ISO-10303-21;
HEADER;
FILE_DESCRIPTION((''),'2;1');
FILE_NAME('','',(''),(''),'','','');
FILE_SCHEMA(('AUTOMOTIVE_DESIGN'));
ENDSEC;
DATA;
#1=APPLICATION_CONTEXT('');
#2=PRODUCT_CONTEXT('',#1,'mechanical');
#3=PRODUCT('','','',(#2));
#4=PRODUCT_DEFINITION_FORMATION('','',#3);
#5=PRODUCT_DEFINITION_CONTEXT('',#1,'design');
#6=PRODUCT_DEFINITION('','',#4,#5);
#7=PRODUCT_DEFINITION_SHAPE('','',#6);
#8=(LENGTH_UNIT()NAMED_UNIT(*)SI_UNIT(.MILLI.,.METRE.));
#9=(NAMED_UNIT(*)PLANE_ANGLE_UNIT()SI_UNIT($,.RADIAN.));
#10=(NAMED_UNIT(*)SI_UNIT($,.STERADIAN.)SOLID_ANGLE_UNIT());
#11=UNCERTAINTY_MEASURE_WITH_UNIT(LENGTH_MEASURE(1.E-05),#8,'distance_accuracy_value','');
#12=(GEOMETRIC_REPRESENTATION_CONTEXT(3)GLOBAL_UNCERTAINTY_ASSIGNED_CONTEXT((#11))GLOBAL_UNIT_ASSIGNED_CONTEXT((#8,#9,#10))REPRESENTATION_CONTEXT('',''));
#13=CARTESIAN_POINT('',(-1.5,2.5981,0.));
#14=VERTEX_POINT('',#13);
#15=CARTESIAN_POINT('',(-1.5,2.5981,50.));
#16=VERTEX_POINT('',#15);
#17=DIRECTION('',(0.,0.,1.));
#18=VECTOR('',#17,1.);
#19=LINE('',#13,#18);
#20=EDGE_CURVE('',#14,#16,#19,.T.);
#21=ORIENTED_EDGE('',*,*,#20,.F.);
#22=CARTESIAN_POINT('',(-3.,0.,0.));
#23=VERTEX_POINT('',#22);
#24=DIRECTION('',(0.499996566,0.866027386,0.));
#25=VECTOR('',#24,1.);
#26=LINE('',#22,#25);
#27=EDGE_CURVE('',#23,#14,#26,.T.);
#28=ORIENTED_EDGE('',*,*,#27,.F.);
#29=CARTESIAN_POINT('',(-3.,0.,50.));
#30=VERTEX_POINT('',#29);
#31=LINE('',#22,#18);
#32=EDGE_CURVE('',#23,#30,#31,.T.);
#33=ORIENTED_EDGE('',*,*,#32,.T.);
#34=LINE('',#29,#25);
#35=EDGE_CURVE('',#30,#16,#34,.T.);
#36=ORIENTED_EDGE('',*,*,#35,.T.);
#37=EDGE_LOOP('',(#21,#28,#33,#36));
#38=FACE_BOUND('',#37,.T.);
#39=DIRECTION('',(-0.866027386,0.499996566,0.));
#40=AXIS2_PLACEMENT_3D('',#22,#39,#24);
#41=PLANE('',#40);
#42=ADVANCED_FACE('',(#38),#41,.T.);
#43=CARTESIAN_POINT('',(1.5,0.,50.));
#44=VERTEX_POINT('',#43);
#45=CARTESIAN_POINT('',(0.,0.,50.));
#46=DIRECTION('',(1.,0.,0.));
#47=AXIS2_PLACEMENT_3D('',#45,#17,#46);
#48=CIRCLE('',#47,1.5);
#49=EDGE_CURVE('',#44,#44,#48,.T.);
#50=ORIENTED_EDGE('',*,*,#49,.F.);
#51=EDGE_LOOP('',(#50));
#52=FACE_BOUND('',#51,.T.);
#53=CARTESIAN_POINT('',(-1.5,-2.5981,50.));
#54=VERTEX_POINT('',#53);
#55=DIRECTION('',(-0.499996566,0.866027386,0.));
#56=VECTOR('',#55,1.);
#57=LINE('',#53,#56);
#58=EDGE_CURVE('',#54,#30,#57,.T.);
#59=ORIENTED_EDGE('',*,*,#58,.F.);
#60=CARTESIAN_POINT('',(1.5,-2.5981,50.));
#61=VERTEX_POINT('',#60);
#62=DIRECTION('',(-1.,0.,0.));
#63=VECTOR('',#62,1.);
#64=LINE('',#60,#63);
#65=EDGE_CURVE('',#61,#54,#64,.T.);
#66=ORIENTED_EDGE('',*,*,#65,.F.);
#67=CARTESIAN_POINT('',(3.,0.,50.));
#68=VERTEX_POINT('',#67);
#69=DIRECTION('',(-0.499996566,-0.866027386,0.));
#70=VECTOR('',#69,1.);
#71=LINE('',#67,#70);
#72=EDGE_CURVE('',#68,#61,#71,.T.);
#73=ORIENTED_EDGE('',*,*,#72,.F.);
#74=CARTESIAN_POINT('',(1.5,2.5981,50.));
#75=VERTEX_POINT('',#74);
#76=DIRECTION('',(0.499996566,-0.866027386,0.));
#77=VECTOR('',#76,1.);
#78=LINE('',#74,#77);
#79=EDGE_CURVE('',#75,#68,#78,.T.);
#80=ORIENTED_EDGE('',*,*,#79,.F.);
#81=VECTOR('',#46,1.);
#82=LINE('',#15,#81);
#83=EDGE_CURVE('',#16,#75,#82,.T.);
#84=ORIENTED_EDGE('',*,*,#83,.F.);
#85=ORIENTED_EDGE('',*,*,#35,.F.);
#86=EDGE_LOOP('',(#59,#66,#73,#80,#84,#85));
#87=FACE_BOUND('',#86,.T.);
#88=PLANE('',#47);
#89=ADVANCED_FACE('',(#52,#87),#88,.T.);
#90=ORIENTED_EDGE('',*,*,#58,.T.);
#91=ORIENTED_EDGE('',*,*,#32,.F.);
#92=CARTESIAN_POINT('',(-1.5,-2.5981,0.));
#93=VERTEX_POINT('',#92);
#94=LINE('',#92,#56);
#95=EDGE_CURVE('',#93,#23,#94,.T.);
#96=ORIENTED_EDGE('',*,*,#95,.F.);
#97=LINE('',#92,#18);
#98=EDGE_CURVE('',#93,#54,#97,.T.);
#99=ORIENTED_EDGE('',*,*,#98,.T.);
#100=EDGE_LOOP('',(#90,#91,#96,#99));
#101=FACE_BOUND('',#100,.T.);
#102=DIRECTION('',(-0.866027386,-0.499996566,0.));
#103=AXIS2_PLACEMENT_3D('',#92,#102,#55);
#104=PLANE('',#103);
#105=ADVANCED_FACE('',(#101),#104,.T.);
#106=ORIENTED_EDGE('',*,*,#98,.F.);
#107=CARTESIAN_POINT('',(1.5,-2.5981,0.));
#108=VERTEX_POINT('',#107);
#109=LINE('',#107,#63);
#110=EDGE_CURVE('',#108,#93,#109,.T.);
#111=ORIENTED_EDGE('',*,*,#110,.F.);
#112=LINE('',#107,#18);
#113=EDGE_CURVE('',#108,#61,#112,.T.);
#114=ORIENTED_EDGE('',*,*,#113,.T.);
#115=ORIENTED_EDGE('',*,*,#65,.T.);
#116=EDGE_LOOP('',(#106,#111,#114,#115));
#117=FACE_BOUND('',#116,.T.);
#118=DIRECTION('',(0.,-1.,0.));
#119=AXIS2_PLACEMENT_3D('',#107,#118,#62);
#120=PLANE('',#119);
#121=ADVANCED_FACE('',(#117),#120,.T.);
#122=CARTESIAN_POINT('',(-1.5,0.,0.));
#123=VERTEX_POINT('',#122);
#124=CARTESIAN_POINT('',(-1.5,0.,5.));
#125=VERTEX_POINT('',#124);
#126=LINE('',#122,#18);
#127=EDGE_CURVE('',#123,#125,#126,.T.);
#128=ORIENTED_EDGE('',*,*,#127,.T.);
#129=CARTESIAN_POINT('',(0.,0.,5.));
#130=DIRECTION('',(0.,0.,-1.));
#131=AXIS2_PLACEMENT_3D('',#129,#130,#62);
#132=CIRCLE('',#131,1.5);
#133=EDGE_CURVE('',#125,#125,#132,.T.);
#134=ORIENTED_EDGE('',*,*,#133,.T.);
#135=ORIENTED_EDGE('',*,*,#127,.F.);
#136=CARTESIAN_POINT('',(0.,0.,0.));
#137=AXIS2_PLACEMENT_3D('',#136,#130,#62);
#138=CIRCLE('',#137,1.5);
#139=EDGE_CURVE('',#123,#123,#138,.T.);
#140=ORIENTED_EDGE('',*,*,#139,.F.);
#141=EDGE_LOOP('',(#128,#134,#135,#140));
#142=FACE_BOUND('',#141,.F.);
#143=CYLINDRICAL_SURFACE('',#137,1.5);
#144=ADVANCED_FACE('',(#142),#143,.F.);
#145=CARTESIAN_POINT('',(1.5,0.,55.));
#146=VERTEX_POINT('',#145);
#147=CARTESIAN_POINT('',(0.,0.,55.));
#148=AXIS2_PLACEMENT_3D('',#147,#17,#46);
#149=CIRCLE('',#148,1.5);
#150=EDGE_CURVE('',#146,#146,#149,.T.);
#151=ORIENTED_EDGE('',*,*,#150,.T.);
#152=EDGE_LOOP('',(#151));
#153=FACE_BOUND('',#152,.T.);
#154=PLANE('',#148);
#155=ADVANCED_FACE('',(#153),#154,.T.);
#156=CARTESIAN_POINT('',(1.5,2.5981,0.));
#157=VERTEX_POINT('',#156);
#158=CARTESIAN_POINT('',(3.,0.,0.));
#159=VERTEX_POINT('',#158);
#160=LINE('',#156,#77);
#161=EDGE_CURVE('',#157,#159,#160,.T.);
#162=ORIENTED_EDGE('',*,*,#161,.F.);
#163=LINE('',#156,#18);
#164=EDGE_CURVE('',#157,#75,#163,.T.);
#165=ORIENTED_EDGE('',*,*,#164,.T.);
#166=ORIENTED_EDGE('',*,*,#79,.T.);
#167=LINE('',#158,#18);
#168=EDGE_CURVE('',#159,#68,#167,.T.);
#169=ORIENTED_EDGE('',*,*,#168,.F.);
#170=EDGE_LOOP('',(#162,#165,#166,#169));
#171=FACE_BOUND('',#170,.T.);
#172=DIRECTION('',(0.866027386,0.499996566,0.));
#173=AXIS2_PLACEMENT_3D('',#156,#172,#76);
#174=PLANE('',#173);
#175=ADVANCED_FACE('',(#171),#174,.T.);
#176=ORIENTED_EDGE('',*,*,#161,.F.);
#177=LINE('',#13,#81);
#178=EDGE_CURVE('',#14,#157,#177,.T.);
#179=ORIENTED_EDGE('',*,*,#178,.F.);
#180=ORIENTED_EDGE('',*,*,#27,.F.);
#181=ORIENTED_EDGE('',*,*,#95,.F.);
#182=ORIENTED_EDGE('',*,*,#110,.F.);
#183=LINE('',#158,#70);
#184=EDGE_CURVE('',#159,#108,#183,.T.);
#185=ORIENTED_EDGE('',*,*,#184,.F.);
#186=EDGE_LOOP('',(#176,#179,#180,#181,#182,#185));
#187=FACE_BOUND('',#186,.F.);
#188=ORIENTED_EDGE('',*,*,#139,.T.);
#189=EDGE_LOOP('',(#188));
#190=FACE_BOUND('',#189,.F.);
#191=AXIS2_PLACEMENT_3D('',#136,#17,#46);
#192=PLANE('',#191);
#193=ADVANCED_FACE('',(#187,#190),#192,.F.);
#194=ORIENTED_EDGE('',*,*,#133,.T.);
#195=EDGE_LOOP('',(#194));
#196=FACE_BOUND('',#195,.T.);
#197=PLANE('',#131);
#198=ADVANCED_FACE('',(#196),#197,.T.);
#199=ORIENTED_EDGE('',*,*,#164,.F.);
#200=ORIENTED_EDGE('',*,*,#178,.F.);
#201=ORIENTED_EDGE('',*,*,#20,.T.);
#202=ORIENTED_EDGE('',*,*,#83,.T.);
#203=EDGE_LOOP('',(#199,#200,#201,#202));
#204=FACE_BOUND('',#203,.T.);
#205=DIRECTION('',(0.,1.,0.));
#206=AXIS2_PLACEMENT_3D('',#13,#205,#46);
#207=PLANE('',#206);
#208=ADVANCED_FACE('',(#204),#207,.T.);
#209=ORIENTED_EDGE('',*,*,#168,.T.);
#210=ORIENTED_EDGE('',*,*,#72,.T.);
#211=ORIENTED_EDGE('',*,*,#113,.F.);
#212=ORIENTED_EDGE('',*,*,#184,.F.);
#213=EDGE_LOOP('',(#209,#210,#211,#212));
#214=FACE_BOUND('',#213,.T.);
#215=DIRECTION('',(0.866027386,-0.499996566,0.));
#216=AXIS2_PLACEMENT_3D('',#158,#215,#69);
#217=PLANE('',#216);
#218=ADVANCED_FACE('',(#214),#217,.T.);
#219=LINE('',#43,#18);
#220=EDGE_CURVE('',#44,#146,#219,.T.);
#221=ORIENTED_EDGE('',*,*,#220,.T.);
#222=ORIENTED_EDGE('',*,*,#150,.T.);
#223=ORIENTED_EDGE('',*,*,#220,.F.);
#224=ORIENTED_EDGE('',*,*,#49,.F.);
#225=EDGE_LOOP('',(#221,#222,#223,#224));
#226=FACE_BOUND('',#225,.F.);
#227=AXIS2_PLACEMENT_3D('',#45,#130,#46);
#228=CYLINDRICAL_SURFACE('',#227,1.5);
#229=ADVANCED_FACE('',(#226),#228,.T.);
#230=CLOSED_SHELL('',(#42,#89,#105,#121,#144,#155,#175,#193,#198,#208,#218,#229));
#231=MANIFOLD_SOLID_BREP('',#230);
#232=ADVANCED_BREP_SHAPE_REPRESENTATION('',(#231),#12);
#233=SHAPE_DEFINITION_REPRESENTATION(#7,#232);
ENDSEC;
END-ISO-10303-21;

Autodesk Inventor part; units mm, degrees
ref_plane "YZ Plane" through (0, 0, 0) normal (1, 0, 0) x (0, 1, 0)
ref_plane "XZ Plane" through (0, 0, 0) normal (0, 1, 0) x (-1, 0, 0)
ref_plane "XY Plane" through (0, 0, 0) normal (0, 0, 1) x (1, 0, 0)
sketch "스케치1" plane through (0, 0, 0) normal (0, 0, 1) x (1, 0, 0)
  line L0 (-3, 0) -> (-1.5, 2.5981)
  line L1 (-1.5, 2.5981) -> (1.5, 2.5981)
  line L2 (1.5, 2.5981) -> (3, 0)
  line L3 (3, 0) -> (1.5, -2.5981)
  line L4 (1.5, -2.5981) -> (-1.5, -2.5981)
  line L5 (-1.5, -2.5981) -> (-3, 0)
  point P0 (0, 0)
  point P1 (0, 0)
  dimension "d0" = 6
extrude "돌출1" add sketch "스케치1" along normal blind 50
sketch "스케치2" plane through (0, 0, 50) normal (0, 0, 1) x (1, 0, 0)
  circle A0 centre (0, 0) radius 1.5
  dimension "d3" = 3
extrude "돌출2" add sketch "스케치2" along normal blind 5
sketch "스케치3" plane through (0, 0, 0) normal (0, 0, -1) x (-1, 0, 0)
  circle A0 centre (0, 0) radius 1.5
  dimension "d6" = 3
extrude "돌출3" cut sketch "스케치3" against normal blind 5
properties part number "50mm지지대"
